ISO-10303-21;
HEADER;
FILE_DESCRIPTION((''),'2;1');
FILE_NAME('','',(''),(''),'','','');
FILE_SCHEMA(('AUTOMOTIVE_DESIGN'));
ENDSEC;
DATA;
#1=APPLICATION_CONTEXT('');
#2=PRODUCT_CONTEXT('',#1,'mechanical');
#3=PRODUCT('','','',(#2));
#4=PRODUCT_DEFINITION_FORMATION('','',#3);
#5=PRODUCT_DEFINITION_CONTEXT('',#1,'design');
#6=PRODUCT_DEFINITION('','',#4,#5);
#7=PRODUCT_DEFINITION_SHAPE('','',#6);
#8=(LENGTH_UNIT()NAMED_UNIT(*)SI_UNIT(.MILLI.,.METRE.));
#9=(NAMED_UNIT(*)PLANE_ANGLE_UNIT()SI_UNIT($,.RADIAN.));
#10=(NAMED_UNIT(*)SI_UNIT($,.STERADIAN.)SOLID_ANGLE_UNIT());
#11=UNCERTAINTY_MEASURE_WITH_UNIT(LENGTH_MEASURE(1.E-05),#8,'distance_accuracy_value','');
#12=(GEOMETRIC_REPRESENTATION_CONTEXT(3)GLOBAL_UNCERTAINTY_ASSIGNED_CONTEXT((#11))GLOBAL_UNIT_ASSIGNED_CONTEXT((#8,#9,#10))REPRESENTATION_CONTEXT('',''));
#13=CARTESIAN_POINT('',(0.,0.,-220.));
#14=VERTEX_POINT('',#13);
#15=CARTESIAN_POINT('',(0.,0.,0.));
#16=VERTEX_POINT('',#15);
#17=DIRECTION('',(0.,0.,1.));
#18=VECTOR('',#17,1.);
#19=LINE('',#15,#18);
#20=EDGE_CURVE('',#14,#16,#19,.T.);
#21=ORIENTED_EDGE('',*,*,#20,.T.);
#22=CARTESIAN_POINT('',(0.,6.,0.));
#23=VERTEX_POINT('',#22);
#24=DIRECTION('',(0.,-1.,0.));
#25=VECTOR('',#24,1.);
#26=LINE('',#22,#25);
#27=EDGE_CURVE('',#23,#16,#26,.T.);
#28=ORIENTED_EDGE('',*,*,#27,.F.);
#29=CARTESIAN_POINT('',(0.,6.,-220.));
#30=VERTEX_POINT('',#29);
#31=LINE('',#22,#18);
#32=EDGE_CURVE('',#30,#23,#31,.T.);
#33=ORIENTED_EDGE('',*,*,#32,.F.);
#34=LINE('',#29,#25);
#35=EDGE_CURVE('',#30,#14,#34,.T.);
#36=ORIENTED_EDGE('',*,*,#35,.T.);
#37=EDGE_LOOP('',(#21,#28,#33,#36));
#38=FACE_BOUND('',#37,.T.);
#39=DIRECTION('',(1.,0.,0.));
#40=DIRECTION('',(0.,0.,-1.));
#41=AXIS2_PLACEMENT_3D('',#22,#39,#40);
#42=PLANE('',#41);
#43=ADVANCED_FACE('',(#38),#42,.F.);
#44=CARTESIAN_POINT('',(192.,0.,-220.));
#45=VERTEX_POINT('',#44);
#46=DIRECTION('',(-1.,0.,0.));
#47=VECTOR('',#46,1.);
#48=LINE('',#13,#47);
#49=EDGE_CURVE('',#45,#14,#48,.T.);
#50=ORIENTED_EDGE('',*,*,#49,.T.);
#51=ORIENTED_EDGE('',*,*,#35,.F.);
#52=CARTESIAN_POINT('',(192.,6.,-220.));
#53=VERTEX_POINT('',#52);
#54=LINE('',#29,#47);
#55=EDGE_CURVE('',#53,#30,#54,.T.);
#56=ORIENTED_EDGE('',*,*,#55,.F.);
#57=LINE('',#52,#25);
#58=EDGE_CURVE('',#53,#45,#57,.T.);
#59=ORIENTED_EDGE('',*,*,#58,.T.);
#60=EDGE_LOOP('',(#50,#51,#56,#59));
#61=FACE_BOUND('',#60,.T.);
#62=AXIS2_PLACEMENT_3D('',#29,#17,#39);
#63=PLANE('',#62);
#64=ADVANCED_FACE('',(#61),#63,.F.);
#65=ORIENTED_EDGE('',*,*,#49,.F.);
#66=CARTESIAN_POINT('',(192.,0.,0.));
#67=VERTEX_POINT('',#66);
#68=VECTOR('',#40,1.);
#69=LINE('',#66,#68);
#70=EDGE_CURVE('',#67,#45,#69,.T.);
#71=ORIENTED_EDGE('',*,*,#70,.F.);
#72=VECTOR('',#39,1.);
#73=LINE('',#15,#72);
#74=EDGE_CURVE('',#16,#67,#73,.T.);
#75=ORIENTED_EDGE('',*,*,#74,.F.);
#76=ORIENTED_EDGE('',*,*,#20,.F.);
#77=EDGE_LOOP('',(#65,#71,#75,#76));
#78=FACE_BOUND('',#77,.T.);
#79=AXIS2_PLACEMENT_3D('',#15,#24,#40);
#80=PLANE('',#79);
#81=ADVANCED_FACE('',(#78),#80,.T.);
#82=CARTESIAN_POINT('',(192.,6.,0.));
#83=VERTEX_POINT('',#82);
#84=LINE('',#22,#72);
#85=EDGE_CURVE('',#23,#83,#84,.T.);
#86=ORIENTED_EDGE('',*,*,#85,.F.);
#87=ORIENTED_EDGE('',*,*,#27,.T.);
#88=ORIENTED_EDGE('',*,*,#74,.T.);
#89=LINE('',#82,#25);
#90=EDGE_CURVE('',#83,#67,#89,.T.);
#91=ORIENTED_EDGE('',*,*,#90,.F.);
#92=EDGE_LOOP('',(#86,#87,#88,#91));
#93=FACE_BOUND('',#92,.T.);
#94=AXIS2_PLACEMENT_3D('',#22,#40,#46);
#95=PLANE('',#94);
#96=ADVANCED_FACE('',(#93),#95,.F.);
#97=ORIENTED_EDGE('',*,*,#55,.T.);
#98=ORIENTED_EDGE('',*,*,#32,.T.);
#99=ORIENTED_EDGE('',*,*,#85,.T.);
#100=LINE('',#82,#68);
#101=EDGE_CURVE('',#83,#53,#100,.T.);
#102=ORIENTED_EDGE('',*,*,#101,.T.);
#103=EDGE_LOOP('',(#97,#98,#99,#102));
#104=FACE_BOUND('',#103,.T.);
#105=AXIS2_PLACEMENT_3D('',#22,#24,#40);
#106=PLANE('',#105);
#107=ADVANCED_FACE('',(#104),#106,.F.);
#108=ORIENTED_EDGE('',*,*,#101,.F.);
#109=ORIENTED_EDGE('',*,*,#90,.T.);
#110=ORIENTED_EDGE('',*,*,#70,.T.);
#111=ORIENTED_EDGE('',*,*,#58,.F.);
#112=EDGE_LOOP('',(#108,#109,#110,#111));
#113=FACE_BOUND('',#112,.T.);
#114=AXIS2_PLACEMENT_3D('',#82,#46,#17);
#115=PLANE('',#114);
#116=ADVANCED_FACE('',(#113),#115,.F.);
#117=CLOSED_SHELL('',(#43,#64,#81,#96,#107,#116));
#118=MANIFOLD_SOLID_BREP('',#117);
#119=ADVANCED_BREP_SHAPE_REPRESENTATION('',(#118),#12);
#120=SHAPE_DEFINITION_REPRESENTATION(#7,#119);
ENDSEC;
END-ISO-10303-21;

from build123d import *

# Parameters (mm, degrees)
SKIZZE1_W                       = 192
SKIZZE1_H                       = 220
AUFSATZ_LINEAR_AUSTRAGEN1_DEPTH = 6


with BuildPart() as part:
    # Skizze1 → Aufsatz-Linear austragen1 (new body)
    with BuildSketch(Plane(origin=(0, 0, 0), x_dir=(1, 0, 0), z_dir=(0, 1, 0))):
        with Locations((96, 110)):
            Rectangle(SKIZZE1_W, SKIZZE1_H)
    extrude(amount=AUFSATZ_LINEAR_AUSTRAGEN1_DEPTH)


solid = part.part
